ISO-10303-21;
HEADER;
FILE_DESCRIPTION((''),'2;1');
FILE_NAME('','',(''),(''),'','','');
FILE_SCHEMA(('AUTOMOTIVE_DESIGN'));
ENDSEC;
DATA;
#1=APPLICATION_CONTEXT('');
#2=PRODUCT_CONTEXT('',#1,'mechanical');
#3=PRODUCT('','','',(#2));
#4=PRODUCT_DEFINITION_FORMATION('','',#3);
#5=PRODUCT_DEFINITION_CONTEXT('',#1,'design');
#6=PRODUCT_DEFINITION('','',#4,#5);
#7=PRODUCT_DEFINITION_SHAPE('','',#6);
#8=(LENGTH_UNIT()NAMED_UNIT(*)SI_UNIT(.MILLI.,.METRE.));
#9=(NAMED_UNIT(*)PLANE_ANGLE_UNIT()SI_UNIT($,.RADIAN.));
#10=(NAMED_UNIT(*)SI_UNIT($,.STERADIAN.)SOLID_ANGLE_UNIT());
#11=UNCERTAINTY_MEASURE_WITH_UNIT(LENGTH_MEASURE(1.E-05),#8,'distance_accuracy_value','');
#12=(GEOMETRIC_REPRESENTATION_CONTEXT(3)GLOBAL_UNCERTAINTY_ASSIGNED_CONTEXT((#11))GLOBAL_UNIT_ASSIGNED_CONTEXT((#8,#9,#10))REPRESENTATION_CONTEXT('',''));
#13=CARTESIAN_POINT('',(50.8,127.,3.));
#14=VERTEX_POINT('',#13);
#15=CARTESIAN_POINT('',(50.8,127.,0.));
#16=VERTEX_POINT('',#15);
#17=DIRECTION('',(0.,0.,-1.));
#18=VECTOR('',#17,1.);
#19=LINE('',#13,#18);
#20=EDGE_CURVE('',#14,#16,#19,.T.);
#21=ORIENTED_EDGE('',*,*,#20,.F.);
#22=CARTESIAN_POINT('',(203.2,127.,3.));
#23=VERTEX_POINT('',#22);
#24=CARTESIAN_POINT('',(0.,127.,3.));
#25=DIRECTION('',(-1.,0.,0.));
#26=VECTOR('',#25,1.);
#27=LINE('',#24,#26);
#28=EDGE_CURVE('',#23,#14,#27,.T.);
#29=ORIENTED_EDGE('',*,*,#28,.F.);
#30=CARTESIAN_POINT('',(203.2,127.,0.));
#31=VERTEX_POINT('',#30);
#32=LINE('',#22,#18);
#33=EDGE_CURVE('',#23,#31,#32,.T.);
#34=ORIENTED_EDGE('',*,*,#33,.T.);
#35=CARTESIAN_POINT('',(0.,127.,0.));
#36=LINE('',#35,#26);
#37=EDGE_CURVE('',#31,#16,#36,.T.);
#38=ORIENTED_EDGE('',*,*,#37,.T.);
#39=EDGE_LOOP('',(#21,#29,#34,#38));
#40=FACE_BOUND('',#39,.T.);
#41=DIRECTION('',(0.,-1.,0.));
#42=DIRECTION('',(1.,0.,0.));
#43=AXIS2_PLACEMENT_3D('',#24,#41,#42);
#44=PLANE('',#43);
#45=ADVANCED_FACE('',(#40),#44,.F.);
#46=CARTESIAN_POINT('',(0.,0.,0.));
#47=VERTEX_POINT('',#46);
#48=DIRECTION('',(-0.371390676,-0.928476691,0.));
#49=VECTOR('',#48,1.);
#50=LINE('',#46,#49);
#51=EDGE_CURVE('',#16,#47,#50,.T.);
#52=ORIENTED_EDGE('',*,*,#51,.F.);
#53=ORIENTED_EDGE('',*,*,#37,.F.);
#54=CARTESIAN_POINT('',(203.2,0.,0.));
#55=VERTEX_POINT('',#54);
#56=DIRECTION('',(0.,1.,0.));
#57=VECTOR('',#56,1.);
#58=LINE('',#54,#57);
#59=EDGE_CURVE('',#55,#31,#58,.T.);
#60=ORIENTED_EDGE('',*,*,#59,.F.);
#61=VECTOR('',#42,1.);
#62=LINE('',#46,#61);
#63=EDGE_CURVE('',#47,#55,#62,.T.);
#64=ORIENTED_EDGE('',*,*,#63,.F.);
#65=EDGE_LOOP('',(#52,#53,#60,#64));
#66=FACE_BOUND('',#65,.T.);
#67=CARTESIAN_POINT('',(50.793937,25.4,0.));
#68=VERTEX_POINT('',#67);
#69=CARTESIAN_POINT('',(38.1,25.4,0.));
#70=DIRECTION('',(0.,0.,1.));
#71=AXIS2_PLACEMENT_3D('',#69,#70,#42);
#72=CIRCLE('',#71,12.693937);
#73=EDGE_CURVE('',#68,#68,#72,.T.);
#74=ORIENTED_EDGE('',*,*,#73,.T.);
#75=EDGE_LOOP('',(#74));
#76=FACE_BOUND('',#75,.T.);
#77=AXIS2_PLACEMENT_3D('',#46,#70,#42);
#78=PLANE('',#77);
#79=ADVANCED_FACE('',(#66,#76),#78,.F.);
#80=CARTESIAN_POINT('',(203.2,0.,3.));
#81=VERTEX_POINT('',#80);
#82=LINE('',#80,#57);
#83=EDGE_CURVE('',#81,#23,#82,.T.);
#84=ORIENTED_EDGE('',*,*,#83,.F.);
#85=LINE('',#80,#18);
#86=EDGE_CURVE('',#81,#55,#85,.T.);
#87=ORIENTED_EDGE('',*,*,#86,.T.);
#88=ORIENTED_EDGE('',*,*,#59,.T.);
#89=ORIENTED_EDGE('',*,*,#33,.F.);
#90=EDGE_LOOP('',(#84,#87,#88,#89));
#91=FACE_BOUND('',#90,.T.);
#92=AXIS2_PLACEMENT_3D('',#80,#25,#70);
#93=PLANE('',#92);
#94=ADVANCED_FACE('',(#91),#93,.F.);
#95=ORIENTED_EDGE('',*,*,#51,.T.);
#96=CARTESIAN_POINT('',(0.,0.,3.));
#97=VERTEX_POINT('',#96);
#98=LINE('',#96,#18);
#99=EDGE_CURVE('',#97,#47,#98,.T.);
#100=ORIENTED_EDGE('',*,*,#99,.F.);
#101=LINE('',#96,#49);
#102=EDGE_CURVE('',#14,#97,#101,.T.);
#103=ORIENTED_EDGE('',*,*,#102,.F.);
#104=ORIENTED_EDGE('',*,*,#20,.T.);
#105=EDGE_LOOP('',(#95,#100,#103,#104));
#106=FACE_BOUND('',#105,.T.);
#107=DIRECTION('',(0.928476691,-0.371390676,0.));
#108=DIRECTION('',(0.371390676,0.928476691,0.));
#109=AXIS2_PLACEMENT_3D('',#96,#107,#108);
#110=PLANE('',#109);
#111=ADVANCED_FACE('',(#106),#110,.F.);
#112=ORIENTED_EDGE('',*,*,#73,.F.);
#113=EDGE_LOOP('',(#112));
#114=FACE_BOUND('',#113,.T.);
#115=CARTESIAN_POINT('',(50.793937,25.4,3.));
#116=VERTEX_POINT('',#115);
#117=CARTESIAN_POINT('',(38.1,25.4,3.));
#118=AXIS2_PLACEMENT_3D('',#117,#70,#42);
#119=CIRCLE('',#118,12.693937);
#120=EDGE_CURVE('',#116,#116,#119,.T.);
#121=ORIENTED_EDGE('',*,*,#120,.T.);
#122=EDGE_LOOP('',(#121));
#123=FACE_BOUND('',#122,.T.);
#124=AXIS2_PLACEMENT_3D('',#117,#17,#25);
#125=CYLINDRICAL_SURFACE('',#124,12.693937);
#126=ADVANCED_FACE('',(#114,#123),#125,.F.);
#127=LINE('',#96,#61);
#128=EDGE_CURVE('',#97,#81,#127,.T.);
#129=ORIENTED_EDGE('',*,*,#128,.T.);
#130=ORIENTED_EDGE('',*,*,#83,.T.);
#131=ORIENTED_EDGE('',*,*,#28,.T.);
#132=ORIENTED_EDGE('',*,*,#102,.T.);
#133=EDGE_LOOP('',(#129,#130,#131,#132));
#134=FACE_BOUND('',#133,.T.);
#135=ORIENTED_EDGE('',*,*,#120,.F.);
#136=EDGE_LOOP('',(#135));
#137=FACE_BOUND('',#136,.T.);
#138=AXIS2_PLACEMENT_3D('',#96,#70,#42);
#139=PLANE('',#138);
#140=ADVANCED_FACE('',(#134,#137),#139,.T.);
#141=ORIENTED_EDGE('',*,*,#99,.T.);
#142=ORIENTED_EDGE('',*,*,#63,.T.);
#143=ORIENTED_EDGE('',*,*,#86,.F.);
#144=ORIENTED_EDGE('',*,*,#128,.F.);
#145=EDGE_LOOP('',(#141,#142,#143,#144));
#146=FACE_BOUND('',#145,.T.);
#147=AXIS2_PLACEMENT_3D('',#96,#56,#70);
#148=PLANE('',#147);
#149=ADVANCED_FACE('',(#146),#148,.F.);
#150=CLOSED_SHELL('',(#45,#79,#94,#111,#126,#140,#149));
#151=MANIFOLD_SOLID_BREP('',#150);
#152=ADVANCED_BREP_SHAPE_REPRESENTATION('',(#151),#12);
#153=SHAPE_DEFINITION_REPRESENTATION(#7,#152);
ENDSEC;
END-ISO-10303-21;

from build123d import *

# Parameters (mm, degrees)
SKETCH2_R           = 12.693936535
BOSS_EXTRUDE1_DEPTH = 3


with BuildPart() as part:
    # Sketch2 → Boss-Extrude1 (new body)
    with BuildSketch(Plane.XY):
        Polygon((0, 0), (203.2, 0), (203.2, 127), (50.8, 127), align=None)
        with Locations((38.1, 25.4)):
            Circle(SKETCH2_R, mode=Mode.SUBTRACT)
    extrude(amount=BOSS_EXTRUDE1_DEPTH)


solid = part.part
